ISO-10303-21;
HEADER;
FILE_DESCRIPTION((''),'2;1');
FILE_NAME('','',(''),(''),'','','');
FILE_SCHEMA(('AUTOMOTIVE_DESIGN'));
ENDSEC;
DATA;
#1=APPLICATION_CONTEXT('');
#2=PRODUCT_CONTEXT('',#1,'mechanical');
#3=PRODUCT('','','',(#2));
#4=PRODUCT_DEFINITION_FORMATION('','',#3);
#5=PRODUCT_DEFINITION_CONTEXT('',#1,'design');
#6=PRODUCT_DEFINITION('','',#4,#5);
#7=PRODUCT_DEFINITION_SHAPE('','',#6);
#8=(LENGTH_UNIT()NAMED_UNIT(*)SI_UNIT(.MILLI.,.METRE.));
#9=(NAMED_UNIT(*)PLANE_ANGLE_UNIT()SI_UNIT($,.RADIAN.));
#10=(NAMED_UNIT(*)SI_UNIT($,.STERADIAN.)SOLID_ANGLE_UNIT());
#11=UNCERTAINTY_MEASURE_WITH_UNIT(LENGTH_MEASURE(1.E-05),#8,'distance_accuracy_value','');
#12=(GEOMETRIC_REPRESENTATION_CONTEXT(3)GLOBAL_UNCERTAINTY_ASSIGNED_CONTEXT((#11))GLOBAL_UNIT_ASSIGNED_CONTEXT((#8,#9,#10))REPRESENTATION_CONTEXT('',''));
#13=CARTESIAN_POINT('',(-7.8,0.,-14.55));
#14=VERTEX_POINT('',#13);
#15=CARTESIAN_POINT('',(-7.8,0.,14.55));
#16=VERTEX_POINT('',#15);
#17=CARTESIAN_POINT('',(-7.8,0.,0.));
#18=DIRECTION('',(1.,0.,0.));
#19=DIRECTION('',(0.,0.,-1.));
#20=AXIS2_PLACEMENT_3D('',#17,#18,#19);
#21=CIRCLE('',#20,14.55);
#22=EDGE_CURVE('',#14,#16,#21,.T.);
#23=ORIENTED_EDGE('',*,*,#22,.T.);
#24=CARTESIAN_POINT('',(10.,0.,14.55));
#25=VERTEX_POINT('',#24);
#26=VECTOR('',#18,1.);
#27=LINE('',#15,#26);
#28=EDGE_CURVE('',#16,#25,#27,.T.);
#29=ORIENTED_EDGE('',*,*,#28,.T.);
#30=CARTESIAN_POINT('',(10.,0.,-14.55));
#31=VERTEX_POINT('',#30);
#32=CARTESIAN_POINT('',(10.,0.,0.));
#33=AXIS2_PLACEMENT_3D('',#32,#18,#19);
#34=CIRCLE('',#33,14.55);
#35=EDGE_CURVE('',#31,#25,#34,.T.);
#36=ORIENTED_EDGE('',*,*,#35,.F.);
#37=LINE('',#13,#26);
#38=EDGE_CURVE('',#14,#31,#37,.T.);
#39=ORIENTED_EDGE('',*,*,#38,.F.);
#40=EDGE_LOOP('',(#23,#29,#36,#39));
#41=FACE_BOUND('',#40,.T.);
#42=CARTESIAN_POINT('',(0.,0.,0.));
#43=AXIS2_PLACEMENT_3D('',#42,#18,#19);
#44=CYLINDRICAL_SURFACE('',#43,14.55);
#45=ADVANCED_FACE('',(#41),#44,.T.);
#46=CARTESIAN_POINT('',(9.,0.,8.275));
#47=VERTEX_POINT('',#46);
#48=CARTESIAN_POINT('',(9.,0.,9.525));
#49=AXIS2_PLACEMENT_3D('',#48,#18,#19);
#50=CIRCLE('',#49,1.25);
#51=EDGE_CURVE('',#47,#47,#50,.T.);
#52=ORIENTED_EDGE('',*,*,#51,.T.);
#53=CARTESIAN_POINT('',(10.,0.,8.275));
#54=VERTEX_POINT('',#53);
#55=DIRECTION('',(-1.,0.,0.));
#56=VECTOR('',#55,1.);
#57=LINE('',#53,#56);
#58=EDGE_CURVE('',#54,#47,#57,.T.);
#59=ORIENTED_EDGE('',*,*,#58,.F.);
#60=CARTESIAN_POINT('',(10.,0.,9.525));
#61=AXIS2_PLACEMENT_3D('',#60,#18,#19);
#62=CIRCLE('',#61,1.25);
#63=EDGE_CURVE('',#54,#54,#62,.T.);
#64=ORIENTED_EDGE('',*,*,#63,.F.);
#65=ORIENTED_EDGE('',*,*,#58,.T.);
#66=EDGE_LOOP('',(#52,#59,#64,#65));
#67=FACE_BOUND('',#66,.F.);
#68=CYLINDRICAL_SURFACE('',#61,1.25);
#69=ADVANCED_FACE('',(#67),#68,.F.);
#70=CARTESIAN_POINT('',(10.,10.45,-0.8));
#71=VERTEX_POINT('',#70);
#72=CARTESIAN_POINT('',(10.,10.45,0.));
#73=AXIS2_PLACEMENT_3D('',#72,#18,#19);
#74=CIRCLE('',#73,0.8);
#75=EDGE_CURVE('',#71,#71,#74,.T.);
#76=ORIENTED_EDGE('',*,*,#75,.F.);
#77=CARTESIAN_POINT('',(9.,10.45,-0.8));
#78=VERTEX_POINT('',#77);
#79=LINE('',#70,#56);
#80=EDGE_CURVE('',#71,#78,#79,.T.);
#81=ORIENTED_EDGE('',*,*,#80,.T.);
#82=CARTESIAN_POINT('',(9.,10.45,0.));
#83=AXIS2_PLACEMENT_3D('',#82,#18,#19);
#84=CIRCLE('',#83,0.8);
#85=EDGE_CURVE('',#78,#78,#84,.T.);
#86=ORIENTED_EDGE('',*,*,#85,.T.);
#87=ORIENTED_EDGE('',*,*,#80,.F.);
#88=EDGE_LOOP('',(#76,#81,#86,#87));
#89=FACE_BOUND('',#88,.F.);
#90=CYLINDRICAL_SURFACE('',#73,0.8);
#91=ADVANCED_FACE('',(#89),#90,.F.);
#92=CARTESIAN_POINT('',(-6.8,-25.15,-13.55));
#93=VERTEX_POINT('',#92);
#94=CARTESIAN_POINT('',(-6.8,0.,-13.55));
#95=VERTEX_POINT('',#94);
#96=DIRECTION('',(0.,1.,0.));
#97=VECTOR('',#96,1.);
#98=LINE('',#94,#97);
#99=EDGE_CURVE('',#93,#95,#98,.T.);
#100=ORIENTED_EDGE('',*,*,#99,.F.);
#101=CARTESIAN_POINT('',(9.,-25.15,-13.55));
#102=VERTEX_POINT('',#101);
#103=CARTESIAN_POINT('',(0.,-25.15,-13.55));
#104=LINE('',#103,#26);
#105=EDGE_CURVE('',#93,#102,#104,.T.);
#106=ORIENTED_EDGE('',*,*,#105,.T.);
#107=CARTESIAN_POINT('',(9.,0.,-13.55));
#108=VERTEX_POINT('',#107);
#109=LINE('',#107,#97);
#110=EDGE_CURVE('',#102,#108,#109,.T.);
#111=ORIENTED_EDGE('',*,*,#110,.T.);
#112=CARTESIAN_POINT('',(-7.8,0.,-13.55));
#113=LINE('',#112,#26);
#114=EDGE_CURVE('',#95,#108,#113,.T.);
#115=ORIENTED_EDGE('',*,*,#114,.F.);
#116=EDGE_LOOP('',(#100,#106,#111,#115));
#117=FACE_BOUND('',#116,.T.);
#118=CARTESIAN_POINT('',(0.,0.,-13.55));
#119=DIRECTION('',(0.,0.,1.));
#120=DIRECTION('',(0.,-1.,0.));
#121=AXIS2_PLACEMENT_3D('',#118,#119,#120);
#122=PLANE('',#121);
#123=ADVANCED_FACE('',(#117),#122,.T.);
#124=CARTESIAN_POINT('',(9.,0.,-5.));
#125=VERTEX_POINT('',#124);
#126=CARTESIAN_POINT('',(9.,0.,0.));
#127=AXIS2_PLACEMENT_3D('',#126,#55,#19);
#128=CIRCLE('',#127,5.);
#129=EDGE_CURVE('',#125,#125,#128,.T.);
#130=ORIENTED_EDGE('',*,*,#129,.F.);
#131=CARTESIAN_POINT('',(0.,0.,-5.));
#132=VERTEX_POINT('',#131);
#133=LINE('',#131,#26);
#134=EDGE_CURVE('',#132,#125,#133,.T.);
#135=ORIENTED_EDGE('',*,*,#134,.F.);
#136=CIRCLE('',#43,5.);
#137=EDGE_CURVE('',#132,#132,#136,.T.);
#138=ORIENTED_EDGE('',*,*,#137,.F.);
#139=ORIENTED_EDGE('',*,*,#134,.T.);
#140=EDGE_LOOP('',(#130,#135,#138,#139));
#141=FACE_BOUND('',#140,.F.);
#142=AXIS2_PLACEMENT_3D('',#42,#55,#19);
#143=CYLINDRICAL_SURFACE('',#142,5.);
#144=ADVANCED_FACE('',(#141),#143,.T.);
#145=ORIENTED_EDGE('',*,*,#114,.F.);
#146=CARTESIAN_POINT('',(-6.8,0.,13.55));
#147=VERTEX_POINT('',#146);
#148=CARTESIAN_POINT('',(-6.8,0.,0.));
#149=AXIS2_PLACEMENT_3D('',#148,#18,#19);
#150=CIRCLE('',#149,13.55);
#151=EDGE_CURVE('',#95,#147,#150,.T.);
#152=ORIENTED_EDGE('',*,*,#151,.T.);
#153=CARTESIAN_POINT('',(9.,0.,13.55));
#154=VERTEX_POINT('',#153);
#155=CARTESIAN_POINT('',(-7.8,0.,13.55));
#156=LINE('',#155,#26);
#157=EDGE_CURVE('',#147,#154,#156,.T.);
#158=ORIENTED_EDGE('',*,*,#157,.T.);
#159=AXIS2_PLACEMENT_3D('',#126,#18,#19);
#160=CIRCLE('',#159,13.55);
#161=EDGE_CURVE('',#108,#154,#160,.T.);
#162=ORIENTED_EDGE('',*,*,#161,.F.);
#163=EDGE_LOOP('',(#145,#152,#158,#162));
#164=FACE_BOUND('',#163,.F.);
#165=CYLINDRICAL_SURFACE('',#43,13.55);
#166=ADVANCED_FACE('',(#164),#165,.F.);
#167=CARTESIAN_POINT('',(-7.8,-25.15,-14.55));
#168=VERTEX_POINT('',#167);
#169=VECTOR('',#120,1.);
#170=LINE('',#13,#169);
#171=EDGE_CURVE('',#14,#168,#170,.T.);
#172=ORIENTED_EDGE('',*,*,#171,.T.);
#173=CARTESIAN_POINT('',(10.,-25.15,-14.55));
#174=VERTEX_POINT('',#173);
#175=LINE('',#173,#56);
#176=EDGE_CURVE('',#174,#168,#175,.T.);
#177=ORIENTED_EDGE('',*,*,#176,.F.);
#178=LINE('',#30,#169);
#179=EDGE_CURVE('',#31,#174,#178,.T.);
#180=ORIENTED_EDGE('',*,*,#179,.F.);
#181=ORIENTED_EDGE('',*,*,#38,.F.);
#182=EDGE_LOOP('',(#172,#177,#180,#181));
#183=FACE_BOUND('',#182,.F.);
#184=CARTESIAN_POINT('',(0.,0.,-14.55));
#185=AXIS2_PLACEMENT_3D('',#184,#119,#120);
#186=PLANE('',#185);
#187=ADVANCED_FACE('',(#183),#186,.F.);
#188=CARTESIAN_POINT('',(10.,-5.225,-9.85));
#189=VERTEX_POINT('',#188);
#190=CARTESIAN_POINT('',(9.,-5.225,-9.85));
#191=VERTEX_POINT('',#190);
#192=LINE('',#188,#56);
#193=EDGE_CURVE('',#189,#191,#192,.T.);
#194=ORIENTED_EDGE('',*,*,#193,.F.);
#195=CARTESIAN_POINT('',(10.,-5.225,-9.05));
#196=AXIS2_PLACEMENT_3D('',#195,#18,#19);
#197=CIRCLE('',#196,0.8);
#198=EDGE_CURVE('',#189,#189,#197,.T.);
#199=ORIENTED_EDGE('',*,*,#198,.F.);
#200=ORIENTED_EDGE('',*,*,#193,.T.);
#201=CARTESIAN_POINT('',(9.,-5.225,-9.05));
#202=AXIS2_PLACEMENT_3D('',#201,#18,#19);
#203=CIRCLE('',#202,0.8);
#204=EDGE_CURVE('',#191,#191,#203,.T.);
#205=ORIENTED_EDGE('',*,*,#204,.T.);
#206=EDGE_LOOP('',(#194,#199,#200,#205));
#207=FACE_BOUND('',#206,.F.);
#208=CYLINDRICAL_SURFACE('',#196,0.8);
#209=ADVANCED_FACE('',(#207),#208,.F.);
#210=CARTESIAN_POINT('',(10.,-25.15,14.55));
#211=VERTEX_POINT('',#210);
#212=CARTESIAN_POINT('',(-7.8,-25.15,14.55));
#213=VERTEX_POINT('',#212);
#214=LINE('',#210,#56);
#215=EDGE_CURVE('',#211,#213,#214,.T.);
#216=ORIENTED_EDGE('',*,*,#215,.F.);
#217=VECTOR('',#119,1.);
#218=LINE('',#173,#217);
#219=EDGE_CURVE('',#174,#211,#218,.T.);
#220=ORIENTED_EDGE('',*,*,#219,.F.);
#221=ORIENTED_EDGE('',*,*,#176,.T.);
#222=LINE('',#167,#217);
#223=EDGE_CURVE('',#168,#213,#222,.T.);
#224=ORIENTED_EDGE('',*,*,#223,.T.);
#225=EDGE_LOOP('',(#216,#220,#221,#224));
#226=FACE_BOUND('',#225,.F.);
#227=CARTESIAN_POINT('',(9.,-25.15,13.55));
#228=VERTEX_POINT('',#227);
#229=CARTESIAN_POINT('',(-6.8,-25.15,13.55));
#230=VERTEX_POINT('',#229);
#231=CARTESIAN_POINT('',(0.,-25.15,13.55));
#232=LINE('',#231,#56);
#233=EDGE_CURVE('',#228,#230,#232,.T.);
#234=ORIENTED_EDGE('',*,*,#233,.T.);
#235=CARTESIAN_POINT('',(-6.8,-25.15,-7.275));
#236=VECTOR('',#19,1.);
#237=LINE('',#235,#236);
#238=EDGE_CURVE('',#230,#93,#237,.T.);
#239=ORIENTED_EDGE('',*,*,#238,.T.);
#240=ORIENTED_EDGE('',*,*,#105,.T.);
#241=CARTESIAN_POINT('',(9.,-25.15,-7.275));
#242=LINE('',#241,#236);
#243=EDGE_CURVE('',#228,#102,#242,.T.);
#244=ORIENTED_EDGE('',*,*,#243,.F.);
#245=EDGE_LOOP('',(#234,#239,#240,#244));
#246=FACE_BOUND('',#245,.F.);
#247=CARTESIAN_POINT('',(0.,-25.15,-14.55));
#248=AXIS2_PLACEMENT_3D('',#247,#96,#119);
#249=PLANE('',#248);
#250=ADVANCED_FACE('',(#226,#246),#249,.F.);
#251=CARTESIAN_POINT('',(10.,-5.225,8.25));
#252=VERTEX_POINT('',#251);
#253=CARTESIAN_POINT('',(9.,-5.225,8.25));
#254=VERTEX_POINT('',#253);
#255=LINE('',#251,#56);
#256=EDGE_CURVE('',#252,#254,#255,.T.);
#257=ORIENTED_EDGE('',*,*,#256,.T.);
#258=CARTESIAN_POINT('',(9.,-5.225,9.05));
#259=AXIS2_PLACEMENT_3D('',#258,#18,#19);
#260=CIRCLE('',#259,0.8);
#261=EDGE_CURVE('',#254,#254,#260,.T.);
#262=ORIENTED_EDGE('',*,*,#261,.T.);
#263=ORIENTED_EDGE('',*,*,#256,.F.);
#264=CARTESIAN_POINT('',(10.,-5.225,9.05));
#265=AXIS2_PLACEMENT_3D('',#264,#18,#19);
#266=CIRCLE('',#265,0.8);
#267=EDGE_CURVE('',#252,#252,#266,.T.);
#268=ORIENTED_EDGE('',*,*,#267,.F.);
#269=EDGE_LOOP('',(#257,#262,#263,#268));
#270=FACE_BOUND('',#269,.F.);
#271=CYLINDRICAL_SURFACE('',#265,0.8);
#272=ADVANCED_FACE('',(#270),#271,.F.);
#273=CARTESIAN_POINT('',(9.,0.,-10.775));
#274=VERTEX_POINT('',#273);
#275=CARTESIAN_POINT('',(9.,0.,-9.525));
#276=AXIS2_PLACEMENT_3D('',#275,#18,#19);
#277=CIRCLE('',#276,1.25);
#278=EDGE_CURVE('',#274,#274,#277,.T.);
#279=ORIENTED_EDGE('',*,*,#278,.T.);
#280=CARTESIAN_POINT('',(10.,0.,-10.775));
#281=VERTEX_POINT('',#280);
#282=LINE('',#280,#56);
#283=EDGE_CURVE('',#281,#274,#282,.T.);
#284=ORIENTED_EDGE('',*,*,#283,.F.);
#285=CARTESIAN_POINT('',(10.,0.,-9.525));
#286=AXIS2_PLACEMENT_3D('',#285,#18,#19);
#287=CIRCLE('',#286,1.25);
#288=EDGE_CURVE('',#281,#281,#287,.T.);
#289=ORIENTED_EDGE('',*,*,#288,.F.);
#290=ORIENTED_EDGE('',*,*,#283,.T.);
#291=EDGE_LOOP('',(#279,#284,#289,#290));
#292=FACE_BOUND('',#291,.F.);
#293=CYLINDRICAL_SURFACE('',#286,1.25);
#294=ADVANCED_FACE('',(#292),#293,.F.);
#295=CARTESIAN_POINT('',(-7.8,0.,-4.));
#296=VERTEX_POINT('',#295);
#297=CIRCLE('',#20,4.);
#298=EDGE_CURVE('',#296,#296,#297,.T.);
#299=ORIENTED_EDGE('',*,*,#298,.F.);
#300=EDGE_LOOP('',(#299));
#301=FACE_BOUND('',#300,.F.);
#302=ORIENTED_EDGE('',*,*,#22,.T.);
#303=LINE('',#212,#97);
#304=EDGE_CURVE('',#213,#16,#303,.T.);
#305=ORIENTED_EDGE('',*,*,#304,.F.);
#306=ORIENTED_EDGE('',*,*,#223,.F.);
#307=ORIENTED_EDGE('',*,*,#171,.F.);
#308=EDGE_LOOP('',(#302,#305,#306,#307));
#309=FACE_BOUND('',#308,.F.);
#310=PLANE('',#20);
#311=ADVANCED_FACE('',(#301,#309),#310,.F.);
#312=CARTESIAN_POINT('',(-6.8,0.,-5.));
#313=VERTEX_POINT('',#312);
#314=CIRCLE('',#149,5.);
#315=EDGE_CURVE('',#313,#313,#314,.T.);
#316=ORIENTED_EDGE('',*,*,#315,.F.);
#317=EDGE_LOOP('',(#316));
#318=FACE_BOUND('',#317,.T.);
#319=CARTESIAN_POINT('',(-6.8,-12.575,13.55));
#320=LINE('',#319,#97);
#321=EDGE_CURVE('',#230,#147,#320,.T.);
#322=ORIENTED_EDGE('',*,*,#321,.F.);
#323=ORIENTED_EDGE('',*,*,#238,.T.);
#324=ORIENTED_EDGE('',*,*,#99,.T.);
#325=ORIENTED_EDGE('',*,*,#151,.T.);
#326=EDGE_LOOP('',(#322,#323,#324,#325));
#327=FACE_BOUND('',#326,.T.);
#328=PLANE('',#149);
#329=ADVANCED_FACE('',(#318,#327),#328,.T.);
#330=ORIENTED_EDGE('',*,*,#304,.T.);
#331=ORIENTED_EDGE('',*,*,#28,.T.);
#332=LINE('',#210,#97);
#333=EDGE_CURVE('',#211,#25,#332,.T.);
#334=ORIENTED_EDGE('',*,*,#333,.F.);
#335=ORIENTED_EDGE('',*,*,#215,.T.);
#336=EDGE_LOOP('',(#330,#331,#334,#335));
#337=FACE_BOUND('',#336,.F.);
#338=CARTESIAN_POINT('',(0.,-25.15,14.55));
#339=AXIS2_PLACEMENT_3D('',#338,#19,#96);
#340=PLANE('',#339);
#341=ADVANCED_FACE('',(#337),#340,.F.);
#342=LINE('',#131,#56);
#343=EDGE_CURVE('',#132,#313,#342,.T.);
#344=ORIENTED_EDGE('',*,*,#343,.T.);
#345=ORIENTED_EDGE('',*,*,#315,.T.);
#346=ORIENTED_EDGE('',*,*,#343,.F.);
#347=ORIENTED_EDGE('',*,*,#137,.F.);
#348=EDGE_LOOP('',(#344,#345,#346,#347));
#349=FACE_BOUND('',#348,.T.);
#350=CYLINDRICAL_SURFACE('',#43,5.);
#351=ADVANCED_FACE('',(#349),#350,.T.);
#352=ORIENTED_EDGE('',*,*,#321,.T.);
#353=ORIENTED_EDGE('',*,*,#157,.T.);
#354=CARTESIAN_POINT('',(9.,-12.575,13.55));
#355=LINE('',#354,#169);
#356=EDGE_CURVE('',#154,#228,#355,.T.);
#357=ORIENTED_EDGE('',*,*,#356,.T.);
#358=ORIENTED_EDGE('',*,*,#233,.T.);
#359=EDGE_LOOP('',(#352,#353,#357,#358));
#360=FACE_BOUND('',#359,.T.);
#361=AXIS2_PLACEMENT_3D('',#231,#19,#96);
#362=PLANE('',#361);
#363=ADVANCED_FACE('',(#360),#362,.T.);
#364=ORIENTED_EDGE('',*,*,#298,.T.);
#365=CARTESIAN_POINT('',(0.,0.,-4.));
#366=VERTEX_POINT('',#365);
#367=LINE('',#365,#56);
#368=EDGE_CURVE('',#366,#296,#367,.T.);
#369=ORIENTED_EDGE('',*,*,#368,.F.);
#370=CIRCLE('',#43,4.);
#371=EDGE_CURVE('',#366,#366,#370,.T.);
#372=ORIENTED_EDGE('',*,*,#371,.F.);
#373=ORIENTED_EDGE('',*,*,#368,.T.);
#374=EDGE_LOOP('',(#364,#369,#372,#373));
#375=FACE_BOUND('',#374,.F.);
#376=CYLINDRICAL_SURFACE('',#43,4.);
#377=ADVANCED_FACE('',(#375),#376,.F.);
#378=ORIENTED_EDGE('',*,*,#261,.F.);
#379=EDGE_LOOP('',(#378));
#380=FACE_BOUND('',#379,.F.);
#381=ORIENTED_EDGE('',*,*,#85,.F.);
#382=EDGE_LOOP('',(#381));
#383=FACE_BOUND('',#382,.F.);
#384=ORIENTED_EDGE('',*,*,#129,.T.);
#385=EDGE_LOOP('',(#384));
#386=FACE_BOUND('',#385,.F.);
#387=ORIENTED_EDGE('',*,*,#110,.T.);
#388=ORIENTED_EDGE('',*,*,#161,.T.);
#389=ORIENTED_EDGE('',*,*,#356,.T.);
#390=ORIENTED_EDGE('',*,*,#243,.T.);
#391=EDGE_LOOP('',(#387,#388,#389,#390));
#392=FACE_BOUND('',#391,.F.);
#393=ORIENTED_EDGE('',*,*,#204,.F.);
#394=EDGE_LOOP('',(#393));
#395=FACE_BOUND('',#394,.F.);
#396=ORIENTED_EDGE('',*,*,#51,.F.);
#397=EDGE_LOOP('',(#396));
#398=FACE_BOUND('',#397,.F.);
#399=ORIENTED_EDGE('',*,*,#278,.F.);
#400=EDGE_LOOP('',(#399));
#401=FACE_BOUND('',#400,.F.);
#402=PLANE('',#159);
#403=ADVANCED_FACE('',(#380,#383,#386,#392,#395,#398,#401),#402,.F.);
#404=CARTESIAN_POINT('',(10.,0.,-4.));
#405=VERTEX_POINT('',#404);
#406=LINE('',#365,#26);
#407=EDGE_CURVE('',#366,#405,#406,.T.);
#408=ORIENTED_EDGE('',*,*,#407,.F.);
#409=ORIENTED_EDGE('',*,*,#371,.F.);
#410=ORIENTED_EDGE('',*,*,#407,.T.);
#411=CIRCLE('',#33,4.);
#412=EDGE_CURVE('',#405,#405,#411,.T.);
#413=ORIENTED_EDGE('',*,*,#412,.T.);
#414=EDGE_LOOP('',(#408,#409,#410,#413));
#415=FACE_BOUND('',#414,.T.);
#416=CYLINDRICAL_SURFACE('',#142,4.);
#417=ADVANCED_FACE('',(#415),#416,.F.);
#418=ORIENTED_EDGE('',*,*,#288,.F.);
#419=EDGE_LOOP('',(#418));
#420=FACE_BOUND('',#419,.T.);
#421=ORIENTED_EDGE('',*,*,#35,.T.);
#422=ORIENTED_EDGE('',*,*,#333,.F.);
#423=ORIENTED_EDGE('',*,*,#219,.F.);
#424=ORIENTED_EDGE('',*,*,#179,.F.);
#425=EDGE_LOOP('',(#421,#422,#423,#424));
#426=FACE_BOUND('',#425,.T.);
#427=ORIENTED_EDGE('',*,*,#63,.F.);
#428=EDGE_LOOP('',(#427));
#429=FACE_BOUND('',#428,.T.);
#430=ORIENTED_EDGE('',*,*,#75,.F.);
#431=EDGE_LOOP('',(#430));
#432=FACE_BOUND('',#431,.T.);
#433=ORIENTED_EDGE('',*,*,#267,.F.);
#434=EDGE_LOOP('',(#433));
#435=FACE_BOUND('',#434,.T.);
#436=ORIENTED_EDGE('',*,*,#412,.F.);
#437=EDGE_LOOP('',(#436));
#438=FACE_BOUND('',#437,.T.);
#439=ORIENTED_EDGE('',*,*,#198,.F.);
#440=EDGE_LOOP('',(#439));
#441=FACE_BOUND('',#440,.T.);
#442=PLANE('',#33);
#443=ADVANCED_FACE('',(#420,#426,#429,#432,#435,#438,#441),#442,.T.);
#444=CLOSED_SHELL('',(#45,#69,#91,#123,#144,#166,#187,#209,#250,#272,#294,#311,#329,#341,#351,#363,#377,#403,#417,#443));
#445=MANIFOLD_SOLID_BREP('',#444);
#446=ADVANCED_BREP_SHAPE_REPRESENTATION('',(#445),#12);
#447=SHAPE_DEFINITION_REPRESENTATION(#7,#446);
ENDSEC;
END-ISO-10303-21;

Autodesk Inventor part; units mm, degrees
ref_plane "YZ Plane" through (0, 0, 0) normal (1, 0, 0) x (0, 1, 0)
ref_plane "XZ Plane" through (0, 0, 0) normal (0, 1, 0) x (-1, 0, 0)
ref_plane "Arbeitsebene1" through (0, 0, 0) normal (1, 0, 0) x (0, 0, -1)
sketch "Skizze1" plane through (0, 0, 0) normal (1, 0, 0) x (0, 0, -1)
  arc A0 (14.55, 0) -> (-14.55, 0) centre (0, 0) ccw
  line L0 (14.55, 0) -> (14.55, -25.15)
  line L1 (14.55, -25.15) -> (-14.55, -25.15)
  line L2 (-14.55, -25.15) -> (-14.55, 0)
  circle A1 centre (0, 0) radius 4
  line L3 (-20.37, 0) -> (20.37, 0) construction
  line L4 (0, -33.09) -> (0, 22.49) construction
  circle A2 centre (0, 10.45) radius 0.8
  circle A3 centre (9.525, 0) radius 1.25
  circle A4 centre (-9.525, 0) radius 1.25
  circle A5 centre (-9.05, -5.225) radius 0.8
  circle A6 centre (9.05, -5.225) radius 0.8
  circle A7 centre (0, 0) radius 10.45 construction
  line L5 (0, 0) -> (9.05, -5.225) construction
  line L6 (0, 0) -> (-9.05, -5.225) construction
  circle A8 centre (0, 0) radius 9.525 construction
  point P0 (0, 14.55)
  dimension "d0" = 29.1
  dimension "d1" = 39.7
  dimension "d2" = 8
  dimension "d9" = 1.6
  dimension "d11" = 120
  dimension "d12" = 20.9
  dimension "d13" = 2.5
  dimension "d14" = 19.05
extrude "Extrusion1" add sketch "Skizze1" along normal blind 10 and the other way blind 7.8 contours L0 L1 L2 A0 | A2 | A3 | A4 | A5 | A6
shell "Wandung1" thickness 1 removed faces 1 at (4.0667, -25.15, -4.85)
extrude "Extrusion2" cut sketch "Skizze1" against normal blind 10 from surface at 10 contours A2 | A3 | A4 | A5 | A6
properties part number "EncoderEnclosure"
